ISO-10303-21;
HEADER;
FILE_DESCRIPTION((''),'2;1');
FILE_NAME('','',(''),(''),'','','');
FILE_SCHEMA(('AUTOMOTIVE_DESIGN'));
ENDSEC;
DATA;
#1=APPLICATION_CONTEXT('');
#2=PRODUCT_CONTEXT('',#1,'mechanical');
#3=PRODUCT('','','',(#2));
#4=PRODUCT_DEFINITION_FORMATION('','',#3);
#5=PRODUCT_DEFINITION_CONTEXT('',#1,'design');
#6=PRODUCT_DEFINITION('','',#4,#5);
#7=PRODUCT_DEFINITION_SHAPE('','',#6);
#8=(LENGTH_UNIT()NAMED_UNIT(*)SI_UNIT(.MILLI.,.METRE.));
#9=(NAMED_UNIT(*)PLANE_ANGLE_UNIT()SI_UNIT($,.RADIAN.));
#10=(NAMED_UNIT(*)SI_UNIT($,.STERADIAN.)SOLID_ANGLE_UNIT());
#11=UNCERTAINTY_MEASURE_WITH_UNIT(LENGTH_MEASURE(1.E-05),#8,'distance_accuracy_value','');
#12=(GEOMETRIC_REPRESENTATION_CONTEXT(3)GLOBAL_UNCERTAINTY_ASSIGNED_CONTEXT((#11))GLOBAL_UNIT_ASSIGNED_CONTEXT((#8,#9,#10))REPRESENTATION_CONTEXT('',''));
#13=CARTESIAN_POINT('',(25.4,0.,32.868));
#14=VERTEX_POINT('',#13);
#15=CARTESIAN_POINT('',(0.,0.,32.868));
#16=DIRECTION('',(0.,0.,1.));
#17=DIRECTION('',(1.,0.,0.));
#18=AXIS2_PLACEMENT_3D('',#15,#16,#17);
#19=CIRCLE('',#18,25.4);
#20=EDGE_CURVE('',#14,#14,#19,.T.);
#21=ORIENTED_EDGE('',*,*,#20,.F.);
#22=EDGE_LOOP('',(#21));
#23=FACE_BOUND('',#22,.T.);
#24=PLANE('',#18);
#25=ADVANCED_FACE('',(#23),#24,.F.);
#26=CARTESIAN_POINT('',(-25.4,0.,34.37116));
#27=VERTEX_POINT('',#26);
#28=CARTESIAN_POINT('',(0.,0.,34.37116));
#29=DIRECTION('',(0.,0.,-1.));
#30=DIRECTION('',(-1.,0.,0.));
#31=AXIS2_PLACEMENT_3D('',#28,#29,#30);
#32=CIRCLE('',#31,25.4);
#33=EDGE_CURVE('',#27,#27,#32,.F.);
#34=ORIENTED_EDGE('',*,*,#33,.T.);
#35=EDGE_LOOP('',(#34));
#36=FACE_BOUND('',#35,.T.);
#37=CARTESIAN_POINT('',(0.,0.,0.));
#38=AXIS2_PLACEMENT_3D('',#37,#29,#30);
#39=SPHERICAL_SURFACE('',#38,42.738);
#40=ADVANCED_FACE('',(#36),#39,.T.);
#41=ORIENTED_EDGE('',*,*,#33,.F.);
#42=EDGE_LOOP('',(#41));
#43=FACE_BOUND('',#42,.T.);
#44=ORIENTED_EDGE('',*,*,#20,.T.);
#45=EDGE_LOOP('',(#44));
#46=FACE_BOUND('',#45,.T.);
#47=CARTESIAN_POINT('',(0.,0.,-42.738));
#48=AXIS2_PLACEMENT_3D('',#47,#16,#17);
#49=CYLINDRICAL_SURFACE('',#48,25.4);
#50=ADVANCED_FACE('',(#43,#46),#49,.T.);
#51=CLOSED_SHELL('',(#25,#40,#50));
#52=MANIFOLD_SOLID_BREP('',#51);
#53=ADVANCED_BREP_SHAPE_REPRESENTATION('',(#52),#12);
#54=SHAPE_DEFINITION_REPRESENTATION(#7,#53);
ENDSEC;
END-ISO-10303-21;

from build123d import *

# Parameters (mm, degrees)
SKETCH2_OUTSIDE_W  = 117.086
SKETCH2_OUTSIDE_H  = 117.086
SKETCH2_OUTSIDE_R  = 25.4
CUT_EXTRUDE1_DEPTH = 86.476
SKETCH3_R          = 25.4
CUT_EXTRUDE2_DEPTH = 76.606


with BuildPart() as part:
    # Sketch1 → Revolve1 (revolve)
    with BuildSketch(Plane.XY):
        with BuildLine():
            Line((0, 42.738), (0, -42.738))
            ThreePointArc((0, -42.738), (-42.738, 0), (0, 42.738))
        make_face()
    revolve(axis=Axis((0, 42.738, 0), (0, -1, 0)))

    # Sketch2 outside → Cut-Extrude1 (cut, through all)
    with BuildSketch(Plane.XY.offset(42.738)):
        Rectangle(SKETCH2_OUTSIDE_W, SKETCH2_OUTSIDE_H)
        Circle(SKETCH2_OUTSIDE_R, mode=Mode.SUBTRACT)
    extrude(amount=-CUT_EXTRUDE1_DEPTH, mode=Mode.SUBTRACT)

    # Sketch3 → Cut-Extrude2 (cut, through all)
    with BuildSketch(Plane.XY.offset(32.868)):
        Circle(SKETCH3_R)
    extrude(amount=-CUT_EXTRUDE2_DEPTH, mode=Mode.SUBTRACT)


solid = part.part
